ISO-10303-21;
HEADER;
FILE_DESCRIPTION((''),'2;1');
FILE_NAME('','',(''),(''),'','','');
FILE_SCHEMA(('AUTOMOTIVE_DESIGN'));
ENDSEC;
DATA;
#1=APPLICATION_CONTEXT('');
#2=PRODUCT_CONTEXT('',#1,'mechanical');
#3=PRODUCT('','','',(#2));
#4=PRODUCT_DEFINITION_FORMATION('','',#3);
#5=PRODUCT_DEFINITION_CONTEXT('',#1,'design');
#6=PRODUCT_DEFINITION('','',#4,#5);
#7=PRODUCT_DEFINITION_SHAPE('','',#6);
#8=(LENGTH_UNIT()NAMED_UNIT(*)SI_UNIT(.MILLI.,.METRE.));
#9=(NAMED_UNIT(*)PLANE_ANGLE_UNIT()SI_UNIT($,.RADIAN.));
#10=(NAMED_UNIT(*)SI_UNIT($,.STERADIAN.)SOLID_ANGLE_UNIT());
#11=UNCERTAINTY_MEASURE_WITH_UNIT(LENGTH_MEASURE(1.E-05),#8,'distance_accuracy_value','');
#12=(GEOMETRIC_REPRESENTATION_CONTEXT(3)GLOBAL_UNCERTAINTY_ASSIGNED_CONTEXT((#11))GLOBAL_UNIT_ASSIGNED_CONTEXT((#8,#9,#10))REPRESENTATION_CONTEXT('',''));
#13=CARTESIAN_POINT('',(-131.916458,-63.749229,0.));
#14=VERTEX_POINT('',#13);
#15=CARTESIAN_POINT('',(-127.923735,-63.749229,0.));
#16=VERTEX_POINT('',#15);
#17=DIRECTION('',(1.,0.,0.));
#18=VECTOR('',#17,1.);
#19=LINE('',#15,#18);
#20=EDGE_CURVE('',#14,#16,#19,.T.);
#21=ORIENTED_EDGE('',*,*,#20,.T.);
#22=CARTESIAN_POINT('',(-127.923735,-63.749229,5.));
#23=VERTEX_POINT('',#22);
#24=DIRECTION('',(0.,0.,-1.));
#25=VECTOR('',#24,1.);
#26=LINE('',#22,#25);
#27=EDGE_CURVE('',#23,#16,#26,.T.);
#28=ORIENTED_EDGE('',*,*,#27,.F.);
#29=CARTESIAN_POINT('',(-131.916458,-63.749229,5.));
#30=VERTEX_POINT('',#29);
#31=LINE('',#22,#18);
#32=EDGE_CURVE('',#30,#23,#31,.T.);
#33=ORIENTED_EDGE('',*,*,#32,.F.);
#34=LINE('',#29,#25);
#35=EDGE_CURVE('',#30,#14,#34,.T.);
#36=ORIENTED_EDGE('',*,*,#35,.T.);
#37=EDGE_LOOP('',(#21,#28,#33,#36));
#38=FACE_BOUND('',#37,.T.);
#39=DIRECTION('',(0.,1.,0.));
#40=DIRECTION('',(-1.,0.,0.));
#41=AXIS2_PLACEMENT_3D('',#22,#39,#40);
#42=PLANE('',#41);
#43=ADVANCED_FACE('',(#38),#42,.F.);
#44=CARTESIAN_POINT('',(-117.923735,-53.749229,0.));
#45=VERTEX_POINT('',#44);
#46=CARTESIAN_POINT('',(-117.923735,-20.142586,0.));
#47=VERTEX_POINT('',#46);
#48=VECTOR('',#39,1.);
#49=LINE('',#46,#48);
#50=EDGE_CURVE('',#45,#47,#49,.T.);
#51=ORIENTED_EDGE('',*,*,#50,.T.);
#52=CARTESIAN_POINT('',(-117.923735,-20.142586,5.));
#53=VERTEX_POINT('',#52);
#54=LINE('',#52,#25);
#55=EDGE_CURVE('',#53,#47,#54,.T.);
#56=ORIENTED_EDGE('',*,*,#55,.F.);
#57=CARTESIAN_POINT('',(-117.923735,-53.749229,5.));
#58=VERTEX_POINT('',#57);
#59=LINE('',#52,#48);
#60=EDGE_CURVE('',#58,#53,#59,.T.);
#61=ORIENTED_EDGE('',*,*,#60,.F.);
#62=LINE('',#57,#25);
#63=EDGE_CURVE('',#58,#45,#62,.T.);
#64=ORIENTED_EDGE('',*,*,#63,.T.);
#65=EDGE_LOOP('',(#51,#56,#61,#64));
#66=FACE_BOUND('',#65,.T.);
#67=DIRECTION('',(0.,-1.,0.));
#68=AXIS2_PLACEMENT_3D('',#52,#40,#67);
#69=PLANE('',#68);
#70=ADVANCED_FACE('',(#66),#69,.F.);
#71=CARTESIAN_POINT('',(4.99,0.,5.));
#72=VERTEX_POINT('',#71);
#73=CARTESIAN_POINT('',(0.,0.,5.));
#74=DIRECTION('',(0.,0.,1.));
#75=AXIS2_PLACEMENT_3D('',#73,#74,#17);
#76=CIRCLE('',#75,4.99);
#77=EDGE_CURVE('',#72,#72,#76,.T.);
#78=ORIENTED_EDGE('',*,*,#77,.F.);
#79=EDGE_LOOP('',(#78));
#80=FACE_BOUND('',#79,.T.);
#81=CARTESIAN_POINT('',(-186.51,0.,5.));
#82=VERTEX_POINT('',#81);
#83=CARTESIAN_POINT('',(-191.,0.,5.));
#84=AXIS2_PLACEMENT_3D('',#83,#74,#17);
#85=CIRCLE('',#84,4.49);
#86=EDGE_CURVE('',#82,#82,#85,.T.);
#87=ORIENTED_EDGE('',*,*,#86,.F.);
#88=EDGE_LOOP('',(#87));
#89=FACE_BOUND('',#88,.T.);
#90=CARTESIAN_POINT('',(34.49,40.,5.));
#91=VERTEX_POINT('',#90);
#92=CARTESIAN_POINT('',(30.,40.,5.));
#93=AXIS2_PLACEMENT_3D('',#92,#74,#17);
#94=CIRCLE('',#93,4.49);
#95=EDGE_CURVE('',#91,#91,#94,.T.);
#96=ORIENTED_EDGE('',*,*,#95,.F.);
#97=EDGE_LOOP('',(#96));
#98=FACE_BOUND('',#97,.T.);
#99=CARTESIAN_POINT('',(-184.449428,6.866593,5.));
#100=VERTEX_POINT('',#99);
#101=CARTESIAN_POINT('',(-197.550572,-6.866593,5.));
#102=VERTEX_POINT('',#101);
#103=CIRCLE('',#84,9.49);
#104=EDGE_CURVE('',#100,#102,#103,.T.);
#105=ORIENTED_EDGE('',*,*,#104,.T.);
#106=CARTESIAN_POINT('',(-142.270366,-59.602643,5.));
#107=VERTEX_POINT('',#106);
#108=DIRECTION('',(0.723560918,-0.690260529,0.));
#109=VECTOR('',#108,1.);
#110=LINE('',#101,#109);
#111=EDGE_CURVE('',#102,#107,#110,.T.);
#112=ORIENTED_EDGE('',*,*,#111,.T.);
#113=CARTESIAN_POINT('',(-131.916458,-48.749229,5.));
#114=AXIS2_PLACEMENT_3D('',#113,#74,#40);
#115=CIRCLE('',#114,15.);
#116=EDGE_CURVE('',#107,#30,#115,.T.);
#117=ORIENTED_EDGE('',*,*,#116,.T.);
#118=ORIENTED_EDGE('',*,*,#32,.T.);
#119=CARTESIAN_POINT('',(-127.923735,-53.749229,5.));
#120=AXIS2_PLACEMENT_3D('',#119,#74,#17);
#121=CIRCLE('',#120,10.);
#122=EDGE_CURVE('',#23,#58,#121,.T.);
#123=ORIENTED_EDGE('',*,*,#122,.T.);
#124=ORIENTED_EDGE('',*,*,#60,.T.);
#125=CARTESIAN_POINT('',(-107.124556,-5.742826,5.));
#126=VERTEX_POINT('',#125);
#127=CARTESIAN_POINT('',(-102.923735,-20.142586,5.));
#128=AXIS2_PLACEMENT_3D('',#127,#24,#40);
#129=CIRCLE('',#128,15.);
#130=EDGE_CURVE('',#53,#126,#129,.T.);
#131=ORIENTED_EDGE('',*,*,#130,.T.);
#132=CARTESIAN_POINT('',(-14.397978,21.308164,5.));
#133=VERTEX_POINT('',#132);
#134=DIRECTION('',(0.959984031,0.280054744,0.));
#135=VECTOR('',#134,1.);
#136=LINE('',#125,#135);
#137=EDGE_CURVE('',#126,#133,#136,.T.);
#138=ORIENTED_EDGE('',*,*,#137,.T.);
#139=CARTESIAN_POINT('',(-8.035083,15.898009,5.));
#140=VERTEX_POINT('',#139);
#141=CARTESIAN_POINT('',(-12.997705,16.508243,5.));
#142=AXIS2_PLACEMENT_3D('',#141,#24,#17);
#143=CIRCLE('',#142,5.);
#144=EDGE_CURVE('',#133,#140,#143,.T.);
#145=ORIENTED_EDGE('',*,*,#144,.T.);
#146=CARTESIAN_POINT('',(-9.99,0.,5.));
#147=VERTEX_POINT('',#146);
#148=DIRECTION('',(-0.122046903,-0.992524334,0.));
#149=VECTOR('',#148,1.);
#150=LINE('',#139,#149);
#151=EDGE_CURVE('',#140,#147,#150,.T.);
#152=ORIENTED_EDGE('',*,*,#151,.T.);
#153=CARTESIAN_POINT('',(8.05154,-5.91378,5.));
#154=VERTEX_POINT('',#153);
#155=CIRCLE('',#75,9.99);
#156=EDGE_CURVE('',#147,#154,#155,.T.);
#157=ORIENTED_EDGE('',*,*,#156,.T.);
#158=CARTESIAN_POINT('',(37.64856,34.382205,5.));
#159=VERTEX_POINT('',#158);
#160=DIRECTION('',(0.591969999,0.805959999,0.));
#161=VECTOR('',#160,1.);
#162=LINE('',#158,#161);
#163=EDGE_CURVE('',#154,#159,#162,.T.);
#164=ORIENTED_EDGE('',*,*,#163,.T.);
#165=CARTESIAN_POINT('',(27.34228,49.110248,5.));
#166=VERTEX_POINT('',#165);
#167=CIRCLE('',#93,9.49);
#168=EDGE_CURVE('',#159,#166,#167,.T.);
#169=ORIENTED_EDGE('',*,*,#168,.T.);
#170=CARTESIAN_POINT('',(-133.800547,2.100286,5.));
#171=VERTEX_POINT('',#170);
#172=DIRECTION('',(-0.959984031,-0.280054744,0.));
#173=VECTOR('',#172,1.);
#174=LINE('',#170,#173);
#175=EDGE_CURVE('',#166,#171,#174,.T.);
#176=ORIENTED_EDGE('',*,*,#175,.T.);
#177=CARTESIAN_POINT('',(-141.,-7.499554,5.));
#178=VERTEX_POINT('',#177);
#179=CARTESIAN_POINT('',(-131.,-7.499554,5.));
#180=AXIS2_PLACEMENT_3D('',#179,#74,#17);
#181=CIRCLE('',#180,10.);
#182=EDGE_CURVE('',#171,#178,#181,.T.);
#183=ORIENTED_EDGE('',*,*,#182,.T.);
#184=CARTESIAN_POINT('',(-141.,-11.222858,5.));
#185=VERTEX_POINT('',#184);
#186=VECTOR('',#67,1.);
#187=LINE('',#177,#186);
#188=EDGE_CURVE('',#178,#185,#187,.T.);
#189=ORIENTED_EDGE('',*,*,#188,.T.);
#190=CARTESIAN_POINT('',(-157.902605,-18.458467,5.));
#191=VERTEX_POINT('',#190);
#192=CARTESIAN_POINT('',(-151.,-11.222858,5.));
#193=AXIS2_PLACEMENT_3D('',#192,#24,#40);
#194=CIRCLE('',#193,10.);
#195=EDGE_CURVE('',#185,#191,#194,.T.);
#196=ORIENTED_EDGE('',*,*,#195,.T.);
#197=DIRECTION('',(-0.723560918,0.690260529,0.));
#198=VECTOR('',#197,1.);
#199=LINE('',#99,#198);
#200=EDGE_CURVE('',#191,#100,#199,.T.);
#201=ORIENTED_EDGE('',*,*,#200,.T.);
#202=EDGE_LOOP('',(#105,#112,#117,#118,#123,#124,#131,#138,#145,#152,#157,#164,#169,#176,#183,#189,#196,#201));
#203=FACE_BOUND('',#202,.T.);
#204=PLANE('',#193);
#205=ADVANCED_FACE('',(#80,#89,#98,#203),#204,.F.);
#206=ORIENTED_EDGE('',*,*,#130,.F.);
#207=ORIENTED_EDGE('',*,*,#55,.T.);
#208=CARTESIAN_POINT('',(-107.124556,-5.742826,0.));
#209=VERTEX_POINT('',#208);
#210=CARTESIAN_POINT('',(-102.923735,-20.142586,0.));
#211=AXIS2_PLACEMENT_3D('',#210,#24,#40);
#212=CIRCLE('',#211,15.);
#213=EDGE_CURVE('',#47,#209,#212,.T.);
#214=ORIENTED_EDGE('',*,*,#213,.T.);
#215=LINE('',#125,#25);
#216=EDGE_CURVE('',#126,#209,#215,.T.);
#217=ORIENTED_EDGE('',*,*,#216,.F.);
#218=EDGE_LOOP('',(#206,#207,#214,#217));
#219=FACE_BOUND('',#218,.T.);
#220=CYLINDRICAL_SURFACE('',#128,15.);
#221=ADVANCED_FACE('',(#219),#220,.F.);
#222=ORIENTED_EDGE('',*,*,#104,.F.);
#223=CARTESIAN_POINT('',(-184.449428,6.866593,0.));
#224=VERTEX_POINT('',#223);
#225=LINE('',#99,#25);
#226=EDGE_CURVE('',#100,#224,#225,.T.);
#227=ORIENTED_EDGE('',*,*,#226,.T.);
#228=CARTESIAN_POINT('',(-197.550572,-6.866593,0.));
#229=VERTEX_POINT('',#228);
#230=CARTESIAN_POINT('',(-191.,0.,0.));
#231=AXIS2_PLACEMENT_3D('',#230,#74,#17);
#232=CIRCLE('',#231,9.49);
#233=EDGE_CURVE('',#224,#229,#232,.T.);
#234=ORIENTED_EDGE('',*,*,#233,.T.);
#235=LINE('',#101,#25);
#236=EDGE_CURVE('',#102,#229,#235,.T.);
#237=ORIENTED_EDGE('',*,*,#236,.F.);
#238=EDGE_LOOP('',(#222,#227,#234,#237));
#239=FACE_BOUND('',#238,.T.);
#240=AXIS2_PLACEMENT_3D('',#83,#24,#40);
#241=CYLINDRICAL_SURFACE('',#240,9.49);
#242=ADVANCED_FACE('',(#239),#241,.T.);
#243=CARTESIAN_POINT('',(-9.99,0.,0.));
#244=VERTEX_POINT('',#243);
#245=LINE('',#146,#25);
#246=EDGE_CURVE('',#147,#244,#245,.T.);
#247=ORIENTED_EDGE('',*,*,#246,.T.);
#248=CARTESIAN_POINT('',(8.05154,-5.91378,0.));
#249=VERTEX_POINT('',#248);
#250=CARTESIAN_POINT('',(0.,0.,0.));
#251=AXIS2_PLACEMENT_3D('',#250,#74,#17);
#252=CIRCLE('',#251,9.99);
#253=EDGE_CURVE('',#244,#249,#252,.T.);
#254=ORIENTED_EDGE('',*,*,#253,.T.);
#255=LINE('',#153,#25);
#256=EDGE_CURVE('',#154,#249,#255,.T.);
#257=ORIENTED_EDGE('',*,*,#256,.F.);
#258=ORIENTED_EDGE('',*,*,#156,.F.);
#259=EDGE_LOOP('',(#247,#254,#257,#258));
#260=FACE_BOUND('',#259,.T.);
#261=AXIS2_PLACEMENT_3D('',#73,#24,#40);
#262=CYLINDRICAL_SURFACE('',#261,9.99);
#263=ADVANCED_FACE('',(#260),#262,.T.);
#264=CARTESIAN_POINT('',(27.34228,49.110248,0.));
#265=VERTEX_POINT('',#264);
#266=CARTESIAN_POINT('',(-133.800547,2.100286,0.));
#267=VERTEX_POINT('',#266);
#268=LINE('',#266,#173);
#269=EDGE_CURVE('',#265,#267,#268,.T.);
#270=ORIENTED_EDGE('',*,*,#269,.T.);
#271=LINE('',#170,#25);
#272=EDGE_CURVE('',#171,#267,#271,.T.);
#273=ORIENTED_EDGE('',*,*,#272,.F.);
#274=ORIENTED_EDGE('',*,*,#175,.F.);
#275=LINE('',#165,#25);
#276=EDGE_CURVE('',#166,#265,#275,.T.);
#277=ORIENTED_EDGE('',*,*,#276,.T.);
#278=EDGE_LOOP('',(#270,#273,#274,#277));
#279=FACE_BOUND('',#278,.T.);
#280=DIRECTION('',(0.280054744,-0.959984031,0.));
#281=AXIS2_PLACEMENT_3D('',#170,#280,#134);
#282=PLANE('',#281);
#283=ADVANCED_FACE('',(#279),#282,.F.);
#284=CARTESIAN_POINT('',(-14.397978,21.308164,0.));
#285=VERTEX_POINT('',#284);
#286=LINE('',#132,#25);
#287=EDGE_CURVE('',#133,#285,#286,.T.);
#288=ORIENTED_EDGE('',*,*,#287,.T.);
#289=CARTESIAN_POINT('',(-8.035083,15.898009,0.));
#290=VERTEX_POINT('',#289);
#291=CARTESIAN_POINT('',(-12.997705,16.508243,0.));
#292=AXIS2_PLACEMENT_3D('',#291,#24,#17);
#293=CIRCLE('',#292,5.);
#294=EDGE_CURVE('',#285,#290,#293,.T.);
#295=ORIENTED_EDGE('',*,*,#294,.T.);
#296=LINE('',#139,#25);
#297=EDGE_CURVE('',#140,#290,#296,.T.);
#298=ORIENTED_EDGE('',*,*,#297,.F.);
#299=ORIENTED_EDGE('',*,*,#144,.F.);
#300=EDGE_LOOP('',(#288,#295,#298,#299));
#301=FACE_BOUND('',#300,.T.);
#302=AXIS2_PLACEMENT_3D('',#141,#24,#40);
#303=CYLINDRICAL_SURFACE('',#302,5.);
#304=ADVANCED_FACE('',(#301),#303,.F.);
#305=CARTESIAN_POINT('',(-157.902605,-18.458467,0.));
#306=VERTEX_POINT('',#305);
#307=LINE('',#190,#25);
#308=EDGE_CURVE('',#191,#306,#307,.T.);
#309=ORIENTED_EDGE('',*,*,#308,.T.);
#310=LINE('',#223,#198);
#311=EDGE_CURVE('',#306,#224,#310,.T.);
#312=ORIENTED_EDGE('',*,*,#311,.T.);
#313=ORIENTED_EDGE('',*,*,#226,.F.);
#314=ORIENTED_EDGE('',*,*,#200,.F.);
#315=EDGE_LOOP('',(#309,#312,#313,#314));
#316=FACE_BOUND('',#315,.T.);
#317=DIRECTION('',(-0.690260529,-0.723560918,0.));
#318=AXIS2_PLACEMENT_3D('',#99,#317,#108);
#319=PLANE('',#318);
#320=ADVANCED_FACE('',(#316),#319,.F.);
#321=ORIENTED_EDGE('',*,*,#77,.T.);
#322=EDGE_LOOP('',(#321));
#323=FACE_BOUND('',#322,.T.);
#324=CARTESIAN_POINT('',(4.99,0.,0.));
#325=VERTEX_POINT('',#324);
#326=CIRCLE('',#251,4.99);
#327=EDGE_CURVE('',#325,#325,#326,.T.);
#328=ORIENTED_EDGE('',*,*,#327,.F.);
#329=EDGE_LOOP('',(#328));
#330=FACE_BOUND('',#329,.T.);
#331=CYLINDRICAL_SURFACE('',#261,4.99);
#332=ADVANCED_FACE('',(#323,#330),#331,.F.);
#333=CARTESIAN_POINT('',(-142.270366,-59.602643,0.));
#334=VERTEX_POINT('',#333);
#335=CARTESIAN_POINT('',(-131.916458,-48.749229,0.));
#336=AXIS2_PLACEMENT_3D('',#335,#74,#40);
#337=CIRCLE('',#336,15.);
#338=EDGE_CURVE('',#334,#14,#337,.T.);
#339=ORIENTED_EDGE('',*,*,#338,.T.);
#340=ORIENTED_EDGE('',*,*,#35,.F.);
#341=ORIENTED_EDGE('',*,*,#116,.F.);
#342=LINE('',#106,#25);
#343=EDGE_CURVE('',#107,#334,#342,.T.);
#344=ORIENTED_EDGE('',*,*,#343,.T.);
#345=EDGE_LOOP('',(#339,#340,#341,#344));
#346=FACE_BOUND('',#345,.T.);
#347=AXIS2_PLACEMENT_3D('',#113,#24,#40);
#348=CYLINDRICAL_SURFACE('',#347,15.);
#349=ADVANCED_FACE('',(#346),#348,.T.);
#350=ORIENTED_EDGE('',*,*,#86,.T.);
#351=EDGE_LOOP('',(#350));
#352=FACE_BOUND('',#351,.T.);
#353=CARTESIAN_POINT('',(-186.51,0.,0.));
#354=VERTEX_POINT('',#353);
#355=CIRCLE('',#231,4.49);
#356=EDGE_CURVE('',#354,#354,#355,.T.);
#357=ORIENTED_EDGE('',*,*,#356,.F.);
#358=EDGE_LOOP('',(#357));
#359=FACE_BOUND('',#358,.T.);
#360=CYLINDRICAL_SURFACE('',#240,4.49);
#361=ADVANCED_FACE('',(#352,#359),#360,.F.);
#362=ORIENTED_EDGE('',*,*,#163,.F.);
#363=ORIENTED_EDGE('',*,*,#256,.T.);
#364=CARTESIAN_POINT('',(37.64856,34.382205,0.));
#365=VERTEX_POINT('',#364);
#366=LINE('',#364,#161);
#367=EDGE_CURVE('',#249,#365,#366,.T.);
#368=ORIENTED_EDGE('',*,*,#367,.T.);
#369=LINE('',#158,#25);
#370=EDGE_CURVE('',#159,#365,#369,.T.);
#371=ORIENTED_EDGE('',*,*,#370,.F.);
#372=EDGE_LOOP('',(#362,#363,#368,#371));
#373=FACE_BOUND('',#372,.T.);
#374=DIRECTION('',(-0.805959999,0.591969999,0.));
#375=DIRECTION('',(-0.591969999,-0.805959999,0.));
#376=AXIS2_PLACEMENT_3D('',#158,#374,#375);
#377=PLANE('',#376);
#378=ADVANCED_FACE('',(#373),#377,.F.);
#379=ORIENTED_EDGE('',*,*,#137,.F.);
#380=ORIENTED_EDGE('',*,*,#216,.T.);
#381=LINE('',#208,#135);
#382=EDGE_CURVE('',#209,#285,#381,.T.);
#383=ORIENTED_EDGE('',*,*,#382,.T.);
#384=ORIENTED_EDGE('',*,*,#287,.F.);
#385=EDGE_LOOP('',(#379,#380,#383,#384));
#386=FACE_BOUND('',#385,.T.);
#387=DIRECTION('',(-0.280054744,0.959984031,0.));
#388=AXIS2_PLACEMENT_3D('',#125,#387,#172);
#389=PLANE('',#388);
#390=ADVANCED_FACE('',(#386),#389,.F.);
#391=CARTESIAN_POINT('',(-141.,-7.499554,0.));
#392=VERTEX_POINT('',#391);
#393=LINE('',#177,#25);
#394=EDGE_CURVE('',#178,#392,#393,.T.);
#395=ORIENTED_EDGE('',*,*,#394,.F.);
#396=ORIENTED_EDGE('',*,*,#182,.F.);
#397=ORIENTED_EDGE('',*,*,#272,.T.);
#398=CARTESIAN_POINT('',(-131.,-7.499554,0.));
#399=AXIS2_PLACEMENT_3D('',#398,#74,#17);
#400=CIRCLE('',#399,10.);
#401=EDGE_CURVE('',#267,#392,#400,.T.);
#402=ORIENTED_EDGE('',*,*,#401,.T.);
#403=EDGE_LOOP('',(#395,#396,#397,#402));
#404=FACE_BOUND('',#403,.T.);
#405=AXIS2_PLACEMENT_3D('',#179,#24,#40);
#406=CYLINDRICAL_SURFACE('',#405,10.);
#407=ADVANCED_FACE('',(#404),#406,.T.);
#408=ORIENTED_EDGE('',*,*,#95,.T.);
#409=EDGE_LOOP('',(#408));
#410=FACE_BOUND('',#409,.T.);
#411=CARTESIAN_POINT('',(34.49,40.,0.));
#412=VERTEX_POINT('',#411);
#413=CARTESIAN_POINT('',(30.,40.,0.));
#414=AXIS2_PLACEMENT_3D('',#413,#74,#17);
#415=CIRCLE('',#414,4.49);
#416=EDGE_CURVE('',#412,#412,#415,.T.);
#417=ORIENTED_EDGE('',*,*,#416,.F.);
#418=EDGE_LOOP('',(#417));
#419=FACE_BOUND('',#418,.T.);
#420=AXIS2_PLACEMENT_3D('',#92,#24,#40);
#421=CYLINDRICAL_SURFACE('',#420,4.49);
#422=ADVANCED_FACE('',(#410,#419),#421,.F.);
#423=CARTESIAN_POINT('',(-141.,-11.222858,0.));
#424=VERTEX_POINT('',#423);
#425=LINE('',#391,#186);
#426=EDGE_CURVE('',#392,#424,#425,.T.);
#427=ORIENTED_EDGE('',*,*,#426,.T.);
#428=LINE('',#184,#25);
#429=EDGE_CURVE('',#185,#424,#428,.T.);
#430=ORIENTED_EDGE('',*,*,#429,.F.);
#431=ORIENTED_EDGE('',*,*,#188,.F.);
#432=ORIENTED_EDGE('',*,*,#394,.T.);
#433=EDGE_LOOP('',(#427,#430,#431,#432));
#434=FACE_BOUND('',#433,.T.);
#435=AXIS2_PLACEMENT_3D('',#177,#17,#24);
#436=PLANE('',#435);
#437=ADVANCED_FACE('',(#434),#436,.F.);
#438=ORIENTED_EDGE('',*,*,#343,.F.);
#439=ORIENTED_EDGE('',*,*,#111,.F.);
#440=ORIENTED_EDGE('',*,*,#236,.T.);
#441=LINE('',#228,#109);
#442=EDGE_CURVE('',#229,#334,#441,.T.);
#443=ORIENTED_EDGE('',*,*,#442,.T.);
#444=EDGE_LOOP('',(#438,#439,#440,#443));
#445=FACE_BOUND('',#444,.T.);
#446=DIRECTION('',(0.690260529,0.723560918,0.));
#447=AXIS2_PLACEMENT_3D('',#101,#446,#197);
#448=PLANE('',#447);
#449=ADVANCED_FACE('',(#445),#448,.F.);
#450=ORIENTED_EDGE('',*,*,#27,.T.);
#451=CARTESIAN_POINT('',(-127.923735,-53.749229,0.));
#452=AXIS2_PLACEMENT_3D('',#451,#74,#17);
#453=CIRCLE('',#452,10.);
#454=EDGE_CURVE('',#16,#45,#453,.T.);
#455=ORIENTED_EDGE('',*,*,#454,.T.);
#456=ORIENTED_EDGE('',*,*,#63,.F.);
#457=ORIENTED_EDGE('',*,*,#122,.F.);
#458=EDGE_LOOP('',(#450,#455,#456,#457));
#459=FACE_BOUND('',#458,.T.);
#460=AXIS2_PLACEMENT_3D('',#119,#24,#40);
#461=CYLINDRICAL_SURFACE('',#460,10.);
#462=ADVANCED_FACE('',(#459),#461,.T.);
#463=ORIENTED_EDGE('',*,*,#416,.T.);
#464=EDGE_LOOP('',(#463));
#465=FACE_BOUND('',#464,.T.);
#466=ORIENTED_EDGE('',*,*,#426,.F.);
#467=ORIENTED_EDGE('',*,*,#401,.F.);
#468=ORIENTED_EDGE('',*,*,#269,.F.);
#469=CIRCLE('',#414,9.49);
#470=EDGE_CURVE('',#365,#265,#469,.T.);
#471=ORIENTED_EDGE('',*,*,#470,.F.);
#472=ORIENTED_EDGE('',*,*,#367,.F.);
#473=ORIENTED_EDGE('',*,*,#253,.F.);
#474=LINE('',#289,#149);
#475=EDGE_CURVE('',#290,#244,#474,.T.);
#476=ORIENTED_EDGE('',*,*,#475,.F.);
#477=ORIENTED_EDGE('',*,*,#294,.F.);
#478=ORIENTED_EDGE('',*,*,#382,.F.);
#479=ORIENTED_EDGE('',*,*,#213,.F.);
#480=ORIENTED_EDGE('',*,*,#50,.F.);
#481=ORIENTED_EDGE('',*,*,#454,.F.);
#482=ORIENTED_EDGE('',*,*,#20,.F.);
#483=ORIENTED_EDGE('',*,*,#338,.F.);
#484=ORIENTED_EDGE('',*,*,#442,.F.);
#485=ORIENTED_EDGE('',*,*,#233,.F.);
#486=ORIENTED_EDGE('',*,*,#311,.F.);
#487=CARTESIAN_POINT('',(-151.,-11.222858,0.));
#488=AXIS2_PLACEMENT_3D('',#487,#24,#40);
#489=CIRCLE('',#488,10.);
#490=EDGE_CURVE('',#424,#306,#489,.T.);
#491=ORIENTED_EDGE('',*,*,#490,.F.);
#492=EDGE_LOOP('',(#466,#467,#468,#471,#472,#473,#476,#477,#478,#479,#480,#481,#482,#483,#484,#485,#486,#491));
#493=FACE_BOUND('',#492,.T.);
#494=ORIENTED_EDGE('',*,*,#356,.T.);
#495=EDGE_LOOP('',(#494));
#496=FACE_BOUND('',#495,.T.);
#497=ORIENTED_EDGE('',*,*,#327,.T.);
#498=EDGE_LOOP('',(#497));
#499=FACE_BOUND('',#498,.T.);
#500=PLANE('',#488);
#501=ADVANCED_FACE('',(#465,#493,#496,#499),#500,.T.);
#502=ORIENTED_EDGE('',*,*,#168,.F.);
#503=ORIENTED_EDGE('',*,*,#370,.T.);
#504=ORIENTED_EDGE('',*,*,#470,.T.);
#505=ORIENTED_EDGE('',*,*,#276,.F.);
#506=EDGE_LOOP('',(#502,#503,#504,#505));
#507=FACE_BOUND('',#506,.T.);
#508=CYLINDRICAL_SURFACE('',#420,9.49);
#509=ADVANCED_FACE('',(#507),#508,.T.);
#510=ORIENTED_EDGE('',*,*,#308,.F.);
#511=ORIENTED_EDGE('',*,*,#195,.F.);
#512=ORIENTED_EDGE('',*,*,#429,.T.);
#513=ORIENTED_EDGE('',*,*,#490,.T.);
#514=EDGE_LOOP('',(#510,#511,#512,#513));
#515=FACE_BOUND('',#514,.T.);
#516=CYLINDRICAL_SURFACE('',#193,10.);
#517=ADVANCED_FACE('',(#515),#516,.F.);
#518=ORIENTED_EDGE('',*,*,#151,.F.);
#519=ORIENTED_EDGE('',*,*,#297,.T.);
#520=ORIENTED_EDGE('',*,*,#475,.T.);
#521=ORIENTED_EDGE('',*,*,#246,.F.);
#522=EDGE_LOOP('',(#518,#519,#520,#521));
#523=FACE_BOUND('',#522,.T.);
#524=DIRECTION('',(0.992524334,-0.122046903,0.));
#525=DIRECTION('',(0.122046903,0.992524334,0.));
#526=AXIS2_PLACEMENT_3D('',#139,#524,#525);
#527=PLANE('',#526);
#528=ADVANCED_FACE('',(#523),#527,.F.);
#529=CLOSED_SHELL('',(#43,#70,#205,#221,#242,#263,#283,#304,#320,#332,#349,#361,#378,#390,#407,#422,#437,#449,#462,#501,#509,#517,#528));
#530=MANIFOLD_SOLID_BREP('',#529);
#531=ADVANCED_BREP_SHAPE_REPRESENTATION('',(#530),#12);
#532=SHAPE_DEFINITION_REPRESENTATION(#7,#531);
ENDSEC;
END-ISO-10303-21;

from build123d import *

# Parameters (mm, degrees)
SKETCH1_R           = 4.99
SKETCH1_R_2         = 4.49
BOSS_EXTRUDE1_DEPTH = 5


with BuildPart() as part:
    # Sketch1 → Boss-Extrude1 (new body)
    with BuildSketch(Plane.XY):
        with BuildLine():
            Line((-133.800547442, 2.100285816), (27.342280478, 49.110248457))
            ThreePointArc((27.342280478, 49.110248457), (37.775341878, 45.440970381), (37.648560391, 34.382204707))
            Line((37.648560391, 34.382204707), (8.05154039, -5.913780293))
            ThreePointArc((8.05154039, -5.913780293), (-3.111688569, -9.493023451), (-9.99, 0))
            Line((-9.99, 0), (-8.035082933, 15.898008925))
            ThreePointArc((-8.035082933, 15.898008925), (-9.75887393, 20.317439667), (-14.397978323, 21.308163599))
            Line((-14.397978323, 21.308163599), (-107.124555833, -5.742825892))
            ThreePointArc((-107.124555833, -5.742825892), (-114.923991281, -11.142928518), (-117.92373467, -20.142586361))
            Line((-117.92373467, -20.142586361), (-117.92373467, -53.749229456))
            ThreePointArc((-117.92373467, -53.749229456), (-120.852666858, -60.820297268), (-127.92373467, -63.749229456))
            Line((-127.92373467, -63.749229456), (-131.916457627, -63.749229456))
            ThreePointArc((-131.916457627, -63.749229456), (-137.493140936, -62.674049142), (-142.270365562, -59.602643226))
            Line((-142.270365562, -59.602643226), (-197.550572421, -6.866593112))
            ThreePointArc((-197.550572421, -6.866593112), (-197.866593112, 6.550572421), (-184.449427579, 6.866593112))
            Line((-184.449427579, 6.866593112), (-157.90260529, -18.4584668))
            ThreePointArc((-157.90260529, -18.4584668), (-147.064650772, -20.415954294), (-141, -11.22285762))
            Line((-141, -11.22285762), (-141, -7.499554497))
            ThreePointArc((-141, -7.499554497), (-139.000171074, -1.499782602), (-133.800547442, 2.100285816))
        make_face()
        Circle(SKETCH1_R, mode=Mode.SUBTRACT)
        with Locations((-191, 0)):
            Circle(SKETCH1_R_2, mode=Mode.SUBTRACT)
        with Locations((30, 40)):
            Circle(SKETCH1_R_2, mode=Mode.SUBTRACT)
    extrude(amount=BOSS_EXTRUDE1_DEPTH)


solid = part.part
